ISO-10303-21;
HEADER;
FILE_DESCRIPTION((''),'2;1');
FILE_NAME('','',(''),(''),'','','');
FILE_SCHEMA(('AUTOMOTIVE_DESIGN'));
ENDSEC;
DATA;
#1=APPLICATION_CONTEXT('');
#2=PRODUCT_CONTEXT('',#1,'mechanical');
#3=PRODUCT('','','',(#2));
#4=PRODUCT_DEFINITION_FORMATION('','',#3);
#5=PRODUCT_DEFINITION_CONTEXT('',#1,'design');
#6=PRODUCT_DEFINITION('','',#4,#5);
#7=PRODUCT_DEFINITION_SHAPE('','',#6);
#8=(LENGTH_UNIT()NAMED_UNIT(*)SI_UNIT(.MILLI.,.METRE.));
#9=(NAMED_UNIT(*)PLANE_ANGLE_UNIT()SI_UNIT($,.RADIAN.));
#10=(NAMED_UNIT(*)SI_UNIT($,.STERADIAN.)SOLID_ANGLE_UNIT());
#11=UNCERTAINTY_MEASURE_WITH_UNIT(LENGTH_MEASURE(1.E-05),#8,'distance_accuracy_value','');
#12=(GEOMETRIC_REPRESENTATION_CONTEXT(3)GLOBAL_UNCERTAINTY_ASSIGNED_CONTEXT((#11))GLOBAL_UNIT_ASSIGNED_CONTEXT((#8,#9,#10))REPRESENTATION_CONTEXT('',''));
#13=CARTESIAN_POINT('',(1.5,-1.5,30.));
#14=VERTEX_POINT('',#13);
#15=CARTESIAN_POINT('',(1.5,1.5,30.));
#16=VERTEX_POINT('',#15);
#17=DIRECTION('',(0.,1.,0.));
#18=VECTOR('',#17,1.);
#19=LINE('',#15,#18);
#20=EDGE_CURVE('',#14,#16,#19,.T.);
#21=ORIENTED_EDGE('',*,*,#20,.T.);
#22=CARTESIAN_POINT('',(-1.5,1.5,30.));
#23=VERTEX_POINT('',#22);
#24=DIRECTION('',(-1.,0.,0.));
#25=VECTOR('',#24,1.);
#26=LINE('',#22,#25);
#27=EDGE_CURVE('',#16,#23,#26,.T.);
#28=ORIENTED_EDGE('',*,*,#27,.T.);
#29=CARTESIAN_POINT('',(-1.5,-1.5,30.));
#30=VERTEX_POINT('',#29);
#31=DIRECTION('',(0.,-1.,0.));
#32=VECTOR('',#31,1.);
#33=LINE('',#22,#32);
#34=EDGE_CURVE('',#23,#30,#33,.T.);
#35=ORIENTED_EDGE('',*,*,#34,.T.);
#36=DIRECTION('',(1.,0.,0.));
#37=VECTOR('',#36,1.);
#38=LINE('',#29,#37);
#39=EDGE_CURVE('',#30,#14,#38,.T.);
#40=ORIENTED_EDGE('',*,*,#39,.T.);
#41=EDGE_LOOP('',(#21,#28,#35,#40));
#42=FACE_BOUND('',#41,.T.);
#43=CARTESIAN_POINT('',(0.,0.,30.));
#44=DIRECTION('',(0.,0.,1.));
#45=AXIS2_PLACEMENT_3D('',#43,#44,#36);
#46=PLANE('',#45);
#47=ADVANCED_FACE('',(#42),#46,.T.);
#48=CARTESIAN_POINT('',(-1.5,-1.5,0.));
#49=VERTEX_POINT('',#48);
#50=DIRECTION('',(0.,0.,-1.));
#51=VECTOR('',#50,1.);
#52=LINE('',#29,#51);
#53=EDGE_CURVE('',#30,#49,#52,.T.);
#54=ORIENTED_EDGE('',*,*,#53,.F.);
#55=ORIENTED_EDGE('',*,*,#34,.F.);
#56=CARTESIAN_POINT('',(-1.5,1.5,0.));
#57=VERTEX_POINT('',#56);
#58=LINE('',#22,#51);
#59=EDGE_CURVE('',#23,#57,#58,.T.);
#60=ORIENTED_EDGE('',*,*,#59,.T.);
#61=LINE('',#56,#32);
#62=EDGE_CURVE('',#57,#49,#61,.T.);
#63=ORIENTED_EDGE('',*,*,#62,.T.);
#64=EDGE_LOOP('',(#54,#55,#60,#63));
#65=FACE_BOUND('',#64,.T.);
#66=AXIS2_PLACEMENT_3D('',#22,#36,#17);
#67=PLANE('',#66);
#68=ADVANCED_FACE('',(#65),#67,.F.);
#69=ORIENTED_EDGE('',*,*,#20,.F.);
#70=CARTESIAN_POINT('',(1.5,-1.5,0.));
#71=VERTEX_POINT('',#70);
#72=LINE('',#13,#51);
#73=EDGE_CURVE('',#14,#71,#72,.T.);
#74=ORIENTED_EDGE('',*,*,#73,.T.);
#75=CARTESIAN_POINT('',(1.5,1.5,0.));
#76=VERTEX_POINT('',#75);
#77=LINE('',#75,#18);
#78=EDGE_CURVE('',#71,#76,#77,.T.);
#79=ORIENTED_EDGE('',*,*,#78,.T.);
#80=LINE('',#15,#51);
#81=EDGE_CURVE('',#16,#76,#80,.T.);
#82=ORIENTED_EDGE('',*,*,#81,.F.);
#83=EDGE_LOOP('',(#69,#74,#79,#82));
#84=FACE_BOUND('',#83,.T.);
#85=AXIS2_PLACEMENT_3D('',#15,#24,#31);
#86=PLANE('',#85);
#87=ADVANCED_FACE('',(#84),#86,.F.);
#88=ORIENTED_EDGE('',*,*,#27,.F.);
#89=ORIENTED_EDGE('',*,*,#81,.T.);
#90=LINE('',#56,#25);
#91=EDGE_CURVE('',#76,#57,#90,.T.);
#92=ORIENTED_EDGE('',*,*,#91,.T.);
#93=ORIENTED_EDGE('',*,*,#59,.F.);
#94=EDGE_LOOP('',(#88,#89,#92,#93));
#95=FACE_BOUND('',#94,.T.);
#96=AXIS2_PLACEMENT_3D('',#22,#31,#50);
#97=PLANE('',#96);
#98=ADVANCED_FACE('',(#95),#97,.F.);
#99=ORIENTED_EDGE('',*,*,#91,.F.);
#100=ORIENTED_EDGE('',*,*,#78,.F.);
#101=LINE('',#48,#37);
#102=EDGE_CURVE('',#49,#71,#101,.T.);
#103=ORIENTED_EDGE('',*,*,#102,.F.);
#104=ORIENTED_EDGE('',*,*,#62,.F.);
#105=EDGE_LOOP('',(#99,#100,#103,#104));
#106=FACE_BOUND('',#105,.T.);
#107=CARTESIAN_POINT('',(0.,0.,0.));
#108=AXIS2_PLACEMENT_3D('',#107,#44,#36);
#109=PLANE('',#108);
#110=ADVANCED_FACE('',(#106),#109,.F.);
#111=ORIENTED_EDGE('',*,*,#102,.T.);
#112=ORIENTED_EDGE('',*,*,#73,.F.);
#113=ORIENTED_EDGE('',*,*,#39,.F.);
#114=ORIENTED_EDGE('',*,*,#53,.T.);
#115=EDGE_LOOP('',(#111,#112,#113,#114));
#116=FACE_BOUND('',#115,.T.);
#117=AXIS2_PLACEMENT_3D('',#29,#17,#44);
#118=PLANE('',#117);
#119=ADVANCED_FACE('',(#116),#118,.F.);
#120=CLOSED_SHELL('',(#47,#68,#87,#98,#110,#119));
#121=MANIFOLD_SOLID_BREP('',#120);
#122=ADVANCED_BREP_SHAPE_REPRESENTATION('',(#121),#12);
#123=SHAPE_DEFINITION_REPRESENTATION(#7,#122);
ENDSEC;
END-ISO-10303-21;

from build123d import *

# Parameters (mm, degrees)
SKETCH1_W           = 3
SKETCH1_H           = 3
BOSS_EXTRUDE1_DEPTH = 30


with BuildPart() as part:
    # Sketch1 → Boss-Extrude1 (new body)
    with BuildSketch(Plane.XY):
        Rectangle(SKETCH1_W, SKETCH1_H)
    extrude(amount=BOSS_EXTRUDE1_DEPTH)


solid = part.part
